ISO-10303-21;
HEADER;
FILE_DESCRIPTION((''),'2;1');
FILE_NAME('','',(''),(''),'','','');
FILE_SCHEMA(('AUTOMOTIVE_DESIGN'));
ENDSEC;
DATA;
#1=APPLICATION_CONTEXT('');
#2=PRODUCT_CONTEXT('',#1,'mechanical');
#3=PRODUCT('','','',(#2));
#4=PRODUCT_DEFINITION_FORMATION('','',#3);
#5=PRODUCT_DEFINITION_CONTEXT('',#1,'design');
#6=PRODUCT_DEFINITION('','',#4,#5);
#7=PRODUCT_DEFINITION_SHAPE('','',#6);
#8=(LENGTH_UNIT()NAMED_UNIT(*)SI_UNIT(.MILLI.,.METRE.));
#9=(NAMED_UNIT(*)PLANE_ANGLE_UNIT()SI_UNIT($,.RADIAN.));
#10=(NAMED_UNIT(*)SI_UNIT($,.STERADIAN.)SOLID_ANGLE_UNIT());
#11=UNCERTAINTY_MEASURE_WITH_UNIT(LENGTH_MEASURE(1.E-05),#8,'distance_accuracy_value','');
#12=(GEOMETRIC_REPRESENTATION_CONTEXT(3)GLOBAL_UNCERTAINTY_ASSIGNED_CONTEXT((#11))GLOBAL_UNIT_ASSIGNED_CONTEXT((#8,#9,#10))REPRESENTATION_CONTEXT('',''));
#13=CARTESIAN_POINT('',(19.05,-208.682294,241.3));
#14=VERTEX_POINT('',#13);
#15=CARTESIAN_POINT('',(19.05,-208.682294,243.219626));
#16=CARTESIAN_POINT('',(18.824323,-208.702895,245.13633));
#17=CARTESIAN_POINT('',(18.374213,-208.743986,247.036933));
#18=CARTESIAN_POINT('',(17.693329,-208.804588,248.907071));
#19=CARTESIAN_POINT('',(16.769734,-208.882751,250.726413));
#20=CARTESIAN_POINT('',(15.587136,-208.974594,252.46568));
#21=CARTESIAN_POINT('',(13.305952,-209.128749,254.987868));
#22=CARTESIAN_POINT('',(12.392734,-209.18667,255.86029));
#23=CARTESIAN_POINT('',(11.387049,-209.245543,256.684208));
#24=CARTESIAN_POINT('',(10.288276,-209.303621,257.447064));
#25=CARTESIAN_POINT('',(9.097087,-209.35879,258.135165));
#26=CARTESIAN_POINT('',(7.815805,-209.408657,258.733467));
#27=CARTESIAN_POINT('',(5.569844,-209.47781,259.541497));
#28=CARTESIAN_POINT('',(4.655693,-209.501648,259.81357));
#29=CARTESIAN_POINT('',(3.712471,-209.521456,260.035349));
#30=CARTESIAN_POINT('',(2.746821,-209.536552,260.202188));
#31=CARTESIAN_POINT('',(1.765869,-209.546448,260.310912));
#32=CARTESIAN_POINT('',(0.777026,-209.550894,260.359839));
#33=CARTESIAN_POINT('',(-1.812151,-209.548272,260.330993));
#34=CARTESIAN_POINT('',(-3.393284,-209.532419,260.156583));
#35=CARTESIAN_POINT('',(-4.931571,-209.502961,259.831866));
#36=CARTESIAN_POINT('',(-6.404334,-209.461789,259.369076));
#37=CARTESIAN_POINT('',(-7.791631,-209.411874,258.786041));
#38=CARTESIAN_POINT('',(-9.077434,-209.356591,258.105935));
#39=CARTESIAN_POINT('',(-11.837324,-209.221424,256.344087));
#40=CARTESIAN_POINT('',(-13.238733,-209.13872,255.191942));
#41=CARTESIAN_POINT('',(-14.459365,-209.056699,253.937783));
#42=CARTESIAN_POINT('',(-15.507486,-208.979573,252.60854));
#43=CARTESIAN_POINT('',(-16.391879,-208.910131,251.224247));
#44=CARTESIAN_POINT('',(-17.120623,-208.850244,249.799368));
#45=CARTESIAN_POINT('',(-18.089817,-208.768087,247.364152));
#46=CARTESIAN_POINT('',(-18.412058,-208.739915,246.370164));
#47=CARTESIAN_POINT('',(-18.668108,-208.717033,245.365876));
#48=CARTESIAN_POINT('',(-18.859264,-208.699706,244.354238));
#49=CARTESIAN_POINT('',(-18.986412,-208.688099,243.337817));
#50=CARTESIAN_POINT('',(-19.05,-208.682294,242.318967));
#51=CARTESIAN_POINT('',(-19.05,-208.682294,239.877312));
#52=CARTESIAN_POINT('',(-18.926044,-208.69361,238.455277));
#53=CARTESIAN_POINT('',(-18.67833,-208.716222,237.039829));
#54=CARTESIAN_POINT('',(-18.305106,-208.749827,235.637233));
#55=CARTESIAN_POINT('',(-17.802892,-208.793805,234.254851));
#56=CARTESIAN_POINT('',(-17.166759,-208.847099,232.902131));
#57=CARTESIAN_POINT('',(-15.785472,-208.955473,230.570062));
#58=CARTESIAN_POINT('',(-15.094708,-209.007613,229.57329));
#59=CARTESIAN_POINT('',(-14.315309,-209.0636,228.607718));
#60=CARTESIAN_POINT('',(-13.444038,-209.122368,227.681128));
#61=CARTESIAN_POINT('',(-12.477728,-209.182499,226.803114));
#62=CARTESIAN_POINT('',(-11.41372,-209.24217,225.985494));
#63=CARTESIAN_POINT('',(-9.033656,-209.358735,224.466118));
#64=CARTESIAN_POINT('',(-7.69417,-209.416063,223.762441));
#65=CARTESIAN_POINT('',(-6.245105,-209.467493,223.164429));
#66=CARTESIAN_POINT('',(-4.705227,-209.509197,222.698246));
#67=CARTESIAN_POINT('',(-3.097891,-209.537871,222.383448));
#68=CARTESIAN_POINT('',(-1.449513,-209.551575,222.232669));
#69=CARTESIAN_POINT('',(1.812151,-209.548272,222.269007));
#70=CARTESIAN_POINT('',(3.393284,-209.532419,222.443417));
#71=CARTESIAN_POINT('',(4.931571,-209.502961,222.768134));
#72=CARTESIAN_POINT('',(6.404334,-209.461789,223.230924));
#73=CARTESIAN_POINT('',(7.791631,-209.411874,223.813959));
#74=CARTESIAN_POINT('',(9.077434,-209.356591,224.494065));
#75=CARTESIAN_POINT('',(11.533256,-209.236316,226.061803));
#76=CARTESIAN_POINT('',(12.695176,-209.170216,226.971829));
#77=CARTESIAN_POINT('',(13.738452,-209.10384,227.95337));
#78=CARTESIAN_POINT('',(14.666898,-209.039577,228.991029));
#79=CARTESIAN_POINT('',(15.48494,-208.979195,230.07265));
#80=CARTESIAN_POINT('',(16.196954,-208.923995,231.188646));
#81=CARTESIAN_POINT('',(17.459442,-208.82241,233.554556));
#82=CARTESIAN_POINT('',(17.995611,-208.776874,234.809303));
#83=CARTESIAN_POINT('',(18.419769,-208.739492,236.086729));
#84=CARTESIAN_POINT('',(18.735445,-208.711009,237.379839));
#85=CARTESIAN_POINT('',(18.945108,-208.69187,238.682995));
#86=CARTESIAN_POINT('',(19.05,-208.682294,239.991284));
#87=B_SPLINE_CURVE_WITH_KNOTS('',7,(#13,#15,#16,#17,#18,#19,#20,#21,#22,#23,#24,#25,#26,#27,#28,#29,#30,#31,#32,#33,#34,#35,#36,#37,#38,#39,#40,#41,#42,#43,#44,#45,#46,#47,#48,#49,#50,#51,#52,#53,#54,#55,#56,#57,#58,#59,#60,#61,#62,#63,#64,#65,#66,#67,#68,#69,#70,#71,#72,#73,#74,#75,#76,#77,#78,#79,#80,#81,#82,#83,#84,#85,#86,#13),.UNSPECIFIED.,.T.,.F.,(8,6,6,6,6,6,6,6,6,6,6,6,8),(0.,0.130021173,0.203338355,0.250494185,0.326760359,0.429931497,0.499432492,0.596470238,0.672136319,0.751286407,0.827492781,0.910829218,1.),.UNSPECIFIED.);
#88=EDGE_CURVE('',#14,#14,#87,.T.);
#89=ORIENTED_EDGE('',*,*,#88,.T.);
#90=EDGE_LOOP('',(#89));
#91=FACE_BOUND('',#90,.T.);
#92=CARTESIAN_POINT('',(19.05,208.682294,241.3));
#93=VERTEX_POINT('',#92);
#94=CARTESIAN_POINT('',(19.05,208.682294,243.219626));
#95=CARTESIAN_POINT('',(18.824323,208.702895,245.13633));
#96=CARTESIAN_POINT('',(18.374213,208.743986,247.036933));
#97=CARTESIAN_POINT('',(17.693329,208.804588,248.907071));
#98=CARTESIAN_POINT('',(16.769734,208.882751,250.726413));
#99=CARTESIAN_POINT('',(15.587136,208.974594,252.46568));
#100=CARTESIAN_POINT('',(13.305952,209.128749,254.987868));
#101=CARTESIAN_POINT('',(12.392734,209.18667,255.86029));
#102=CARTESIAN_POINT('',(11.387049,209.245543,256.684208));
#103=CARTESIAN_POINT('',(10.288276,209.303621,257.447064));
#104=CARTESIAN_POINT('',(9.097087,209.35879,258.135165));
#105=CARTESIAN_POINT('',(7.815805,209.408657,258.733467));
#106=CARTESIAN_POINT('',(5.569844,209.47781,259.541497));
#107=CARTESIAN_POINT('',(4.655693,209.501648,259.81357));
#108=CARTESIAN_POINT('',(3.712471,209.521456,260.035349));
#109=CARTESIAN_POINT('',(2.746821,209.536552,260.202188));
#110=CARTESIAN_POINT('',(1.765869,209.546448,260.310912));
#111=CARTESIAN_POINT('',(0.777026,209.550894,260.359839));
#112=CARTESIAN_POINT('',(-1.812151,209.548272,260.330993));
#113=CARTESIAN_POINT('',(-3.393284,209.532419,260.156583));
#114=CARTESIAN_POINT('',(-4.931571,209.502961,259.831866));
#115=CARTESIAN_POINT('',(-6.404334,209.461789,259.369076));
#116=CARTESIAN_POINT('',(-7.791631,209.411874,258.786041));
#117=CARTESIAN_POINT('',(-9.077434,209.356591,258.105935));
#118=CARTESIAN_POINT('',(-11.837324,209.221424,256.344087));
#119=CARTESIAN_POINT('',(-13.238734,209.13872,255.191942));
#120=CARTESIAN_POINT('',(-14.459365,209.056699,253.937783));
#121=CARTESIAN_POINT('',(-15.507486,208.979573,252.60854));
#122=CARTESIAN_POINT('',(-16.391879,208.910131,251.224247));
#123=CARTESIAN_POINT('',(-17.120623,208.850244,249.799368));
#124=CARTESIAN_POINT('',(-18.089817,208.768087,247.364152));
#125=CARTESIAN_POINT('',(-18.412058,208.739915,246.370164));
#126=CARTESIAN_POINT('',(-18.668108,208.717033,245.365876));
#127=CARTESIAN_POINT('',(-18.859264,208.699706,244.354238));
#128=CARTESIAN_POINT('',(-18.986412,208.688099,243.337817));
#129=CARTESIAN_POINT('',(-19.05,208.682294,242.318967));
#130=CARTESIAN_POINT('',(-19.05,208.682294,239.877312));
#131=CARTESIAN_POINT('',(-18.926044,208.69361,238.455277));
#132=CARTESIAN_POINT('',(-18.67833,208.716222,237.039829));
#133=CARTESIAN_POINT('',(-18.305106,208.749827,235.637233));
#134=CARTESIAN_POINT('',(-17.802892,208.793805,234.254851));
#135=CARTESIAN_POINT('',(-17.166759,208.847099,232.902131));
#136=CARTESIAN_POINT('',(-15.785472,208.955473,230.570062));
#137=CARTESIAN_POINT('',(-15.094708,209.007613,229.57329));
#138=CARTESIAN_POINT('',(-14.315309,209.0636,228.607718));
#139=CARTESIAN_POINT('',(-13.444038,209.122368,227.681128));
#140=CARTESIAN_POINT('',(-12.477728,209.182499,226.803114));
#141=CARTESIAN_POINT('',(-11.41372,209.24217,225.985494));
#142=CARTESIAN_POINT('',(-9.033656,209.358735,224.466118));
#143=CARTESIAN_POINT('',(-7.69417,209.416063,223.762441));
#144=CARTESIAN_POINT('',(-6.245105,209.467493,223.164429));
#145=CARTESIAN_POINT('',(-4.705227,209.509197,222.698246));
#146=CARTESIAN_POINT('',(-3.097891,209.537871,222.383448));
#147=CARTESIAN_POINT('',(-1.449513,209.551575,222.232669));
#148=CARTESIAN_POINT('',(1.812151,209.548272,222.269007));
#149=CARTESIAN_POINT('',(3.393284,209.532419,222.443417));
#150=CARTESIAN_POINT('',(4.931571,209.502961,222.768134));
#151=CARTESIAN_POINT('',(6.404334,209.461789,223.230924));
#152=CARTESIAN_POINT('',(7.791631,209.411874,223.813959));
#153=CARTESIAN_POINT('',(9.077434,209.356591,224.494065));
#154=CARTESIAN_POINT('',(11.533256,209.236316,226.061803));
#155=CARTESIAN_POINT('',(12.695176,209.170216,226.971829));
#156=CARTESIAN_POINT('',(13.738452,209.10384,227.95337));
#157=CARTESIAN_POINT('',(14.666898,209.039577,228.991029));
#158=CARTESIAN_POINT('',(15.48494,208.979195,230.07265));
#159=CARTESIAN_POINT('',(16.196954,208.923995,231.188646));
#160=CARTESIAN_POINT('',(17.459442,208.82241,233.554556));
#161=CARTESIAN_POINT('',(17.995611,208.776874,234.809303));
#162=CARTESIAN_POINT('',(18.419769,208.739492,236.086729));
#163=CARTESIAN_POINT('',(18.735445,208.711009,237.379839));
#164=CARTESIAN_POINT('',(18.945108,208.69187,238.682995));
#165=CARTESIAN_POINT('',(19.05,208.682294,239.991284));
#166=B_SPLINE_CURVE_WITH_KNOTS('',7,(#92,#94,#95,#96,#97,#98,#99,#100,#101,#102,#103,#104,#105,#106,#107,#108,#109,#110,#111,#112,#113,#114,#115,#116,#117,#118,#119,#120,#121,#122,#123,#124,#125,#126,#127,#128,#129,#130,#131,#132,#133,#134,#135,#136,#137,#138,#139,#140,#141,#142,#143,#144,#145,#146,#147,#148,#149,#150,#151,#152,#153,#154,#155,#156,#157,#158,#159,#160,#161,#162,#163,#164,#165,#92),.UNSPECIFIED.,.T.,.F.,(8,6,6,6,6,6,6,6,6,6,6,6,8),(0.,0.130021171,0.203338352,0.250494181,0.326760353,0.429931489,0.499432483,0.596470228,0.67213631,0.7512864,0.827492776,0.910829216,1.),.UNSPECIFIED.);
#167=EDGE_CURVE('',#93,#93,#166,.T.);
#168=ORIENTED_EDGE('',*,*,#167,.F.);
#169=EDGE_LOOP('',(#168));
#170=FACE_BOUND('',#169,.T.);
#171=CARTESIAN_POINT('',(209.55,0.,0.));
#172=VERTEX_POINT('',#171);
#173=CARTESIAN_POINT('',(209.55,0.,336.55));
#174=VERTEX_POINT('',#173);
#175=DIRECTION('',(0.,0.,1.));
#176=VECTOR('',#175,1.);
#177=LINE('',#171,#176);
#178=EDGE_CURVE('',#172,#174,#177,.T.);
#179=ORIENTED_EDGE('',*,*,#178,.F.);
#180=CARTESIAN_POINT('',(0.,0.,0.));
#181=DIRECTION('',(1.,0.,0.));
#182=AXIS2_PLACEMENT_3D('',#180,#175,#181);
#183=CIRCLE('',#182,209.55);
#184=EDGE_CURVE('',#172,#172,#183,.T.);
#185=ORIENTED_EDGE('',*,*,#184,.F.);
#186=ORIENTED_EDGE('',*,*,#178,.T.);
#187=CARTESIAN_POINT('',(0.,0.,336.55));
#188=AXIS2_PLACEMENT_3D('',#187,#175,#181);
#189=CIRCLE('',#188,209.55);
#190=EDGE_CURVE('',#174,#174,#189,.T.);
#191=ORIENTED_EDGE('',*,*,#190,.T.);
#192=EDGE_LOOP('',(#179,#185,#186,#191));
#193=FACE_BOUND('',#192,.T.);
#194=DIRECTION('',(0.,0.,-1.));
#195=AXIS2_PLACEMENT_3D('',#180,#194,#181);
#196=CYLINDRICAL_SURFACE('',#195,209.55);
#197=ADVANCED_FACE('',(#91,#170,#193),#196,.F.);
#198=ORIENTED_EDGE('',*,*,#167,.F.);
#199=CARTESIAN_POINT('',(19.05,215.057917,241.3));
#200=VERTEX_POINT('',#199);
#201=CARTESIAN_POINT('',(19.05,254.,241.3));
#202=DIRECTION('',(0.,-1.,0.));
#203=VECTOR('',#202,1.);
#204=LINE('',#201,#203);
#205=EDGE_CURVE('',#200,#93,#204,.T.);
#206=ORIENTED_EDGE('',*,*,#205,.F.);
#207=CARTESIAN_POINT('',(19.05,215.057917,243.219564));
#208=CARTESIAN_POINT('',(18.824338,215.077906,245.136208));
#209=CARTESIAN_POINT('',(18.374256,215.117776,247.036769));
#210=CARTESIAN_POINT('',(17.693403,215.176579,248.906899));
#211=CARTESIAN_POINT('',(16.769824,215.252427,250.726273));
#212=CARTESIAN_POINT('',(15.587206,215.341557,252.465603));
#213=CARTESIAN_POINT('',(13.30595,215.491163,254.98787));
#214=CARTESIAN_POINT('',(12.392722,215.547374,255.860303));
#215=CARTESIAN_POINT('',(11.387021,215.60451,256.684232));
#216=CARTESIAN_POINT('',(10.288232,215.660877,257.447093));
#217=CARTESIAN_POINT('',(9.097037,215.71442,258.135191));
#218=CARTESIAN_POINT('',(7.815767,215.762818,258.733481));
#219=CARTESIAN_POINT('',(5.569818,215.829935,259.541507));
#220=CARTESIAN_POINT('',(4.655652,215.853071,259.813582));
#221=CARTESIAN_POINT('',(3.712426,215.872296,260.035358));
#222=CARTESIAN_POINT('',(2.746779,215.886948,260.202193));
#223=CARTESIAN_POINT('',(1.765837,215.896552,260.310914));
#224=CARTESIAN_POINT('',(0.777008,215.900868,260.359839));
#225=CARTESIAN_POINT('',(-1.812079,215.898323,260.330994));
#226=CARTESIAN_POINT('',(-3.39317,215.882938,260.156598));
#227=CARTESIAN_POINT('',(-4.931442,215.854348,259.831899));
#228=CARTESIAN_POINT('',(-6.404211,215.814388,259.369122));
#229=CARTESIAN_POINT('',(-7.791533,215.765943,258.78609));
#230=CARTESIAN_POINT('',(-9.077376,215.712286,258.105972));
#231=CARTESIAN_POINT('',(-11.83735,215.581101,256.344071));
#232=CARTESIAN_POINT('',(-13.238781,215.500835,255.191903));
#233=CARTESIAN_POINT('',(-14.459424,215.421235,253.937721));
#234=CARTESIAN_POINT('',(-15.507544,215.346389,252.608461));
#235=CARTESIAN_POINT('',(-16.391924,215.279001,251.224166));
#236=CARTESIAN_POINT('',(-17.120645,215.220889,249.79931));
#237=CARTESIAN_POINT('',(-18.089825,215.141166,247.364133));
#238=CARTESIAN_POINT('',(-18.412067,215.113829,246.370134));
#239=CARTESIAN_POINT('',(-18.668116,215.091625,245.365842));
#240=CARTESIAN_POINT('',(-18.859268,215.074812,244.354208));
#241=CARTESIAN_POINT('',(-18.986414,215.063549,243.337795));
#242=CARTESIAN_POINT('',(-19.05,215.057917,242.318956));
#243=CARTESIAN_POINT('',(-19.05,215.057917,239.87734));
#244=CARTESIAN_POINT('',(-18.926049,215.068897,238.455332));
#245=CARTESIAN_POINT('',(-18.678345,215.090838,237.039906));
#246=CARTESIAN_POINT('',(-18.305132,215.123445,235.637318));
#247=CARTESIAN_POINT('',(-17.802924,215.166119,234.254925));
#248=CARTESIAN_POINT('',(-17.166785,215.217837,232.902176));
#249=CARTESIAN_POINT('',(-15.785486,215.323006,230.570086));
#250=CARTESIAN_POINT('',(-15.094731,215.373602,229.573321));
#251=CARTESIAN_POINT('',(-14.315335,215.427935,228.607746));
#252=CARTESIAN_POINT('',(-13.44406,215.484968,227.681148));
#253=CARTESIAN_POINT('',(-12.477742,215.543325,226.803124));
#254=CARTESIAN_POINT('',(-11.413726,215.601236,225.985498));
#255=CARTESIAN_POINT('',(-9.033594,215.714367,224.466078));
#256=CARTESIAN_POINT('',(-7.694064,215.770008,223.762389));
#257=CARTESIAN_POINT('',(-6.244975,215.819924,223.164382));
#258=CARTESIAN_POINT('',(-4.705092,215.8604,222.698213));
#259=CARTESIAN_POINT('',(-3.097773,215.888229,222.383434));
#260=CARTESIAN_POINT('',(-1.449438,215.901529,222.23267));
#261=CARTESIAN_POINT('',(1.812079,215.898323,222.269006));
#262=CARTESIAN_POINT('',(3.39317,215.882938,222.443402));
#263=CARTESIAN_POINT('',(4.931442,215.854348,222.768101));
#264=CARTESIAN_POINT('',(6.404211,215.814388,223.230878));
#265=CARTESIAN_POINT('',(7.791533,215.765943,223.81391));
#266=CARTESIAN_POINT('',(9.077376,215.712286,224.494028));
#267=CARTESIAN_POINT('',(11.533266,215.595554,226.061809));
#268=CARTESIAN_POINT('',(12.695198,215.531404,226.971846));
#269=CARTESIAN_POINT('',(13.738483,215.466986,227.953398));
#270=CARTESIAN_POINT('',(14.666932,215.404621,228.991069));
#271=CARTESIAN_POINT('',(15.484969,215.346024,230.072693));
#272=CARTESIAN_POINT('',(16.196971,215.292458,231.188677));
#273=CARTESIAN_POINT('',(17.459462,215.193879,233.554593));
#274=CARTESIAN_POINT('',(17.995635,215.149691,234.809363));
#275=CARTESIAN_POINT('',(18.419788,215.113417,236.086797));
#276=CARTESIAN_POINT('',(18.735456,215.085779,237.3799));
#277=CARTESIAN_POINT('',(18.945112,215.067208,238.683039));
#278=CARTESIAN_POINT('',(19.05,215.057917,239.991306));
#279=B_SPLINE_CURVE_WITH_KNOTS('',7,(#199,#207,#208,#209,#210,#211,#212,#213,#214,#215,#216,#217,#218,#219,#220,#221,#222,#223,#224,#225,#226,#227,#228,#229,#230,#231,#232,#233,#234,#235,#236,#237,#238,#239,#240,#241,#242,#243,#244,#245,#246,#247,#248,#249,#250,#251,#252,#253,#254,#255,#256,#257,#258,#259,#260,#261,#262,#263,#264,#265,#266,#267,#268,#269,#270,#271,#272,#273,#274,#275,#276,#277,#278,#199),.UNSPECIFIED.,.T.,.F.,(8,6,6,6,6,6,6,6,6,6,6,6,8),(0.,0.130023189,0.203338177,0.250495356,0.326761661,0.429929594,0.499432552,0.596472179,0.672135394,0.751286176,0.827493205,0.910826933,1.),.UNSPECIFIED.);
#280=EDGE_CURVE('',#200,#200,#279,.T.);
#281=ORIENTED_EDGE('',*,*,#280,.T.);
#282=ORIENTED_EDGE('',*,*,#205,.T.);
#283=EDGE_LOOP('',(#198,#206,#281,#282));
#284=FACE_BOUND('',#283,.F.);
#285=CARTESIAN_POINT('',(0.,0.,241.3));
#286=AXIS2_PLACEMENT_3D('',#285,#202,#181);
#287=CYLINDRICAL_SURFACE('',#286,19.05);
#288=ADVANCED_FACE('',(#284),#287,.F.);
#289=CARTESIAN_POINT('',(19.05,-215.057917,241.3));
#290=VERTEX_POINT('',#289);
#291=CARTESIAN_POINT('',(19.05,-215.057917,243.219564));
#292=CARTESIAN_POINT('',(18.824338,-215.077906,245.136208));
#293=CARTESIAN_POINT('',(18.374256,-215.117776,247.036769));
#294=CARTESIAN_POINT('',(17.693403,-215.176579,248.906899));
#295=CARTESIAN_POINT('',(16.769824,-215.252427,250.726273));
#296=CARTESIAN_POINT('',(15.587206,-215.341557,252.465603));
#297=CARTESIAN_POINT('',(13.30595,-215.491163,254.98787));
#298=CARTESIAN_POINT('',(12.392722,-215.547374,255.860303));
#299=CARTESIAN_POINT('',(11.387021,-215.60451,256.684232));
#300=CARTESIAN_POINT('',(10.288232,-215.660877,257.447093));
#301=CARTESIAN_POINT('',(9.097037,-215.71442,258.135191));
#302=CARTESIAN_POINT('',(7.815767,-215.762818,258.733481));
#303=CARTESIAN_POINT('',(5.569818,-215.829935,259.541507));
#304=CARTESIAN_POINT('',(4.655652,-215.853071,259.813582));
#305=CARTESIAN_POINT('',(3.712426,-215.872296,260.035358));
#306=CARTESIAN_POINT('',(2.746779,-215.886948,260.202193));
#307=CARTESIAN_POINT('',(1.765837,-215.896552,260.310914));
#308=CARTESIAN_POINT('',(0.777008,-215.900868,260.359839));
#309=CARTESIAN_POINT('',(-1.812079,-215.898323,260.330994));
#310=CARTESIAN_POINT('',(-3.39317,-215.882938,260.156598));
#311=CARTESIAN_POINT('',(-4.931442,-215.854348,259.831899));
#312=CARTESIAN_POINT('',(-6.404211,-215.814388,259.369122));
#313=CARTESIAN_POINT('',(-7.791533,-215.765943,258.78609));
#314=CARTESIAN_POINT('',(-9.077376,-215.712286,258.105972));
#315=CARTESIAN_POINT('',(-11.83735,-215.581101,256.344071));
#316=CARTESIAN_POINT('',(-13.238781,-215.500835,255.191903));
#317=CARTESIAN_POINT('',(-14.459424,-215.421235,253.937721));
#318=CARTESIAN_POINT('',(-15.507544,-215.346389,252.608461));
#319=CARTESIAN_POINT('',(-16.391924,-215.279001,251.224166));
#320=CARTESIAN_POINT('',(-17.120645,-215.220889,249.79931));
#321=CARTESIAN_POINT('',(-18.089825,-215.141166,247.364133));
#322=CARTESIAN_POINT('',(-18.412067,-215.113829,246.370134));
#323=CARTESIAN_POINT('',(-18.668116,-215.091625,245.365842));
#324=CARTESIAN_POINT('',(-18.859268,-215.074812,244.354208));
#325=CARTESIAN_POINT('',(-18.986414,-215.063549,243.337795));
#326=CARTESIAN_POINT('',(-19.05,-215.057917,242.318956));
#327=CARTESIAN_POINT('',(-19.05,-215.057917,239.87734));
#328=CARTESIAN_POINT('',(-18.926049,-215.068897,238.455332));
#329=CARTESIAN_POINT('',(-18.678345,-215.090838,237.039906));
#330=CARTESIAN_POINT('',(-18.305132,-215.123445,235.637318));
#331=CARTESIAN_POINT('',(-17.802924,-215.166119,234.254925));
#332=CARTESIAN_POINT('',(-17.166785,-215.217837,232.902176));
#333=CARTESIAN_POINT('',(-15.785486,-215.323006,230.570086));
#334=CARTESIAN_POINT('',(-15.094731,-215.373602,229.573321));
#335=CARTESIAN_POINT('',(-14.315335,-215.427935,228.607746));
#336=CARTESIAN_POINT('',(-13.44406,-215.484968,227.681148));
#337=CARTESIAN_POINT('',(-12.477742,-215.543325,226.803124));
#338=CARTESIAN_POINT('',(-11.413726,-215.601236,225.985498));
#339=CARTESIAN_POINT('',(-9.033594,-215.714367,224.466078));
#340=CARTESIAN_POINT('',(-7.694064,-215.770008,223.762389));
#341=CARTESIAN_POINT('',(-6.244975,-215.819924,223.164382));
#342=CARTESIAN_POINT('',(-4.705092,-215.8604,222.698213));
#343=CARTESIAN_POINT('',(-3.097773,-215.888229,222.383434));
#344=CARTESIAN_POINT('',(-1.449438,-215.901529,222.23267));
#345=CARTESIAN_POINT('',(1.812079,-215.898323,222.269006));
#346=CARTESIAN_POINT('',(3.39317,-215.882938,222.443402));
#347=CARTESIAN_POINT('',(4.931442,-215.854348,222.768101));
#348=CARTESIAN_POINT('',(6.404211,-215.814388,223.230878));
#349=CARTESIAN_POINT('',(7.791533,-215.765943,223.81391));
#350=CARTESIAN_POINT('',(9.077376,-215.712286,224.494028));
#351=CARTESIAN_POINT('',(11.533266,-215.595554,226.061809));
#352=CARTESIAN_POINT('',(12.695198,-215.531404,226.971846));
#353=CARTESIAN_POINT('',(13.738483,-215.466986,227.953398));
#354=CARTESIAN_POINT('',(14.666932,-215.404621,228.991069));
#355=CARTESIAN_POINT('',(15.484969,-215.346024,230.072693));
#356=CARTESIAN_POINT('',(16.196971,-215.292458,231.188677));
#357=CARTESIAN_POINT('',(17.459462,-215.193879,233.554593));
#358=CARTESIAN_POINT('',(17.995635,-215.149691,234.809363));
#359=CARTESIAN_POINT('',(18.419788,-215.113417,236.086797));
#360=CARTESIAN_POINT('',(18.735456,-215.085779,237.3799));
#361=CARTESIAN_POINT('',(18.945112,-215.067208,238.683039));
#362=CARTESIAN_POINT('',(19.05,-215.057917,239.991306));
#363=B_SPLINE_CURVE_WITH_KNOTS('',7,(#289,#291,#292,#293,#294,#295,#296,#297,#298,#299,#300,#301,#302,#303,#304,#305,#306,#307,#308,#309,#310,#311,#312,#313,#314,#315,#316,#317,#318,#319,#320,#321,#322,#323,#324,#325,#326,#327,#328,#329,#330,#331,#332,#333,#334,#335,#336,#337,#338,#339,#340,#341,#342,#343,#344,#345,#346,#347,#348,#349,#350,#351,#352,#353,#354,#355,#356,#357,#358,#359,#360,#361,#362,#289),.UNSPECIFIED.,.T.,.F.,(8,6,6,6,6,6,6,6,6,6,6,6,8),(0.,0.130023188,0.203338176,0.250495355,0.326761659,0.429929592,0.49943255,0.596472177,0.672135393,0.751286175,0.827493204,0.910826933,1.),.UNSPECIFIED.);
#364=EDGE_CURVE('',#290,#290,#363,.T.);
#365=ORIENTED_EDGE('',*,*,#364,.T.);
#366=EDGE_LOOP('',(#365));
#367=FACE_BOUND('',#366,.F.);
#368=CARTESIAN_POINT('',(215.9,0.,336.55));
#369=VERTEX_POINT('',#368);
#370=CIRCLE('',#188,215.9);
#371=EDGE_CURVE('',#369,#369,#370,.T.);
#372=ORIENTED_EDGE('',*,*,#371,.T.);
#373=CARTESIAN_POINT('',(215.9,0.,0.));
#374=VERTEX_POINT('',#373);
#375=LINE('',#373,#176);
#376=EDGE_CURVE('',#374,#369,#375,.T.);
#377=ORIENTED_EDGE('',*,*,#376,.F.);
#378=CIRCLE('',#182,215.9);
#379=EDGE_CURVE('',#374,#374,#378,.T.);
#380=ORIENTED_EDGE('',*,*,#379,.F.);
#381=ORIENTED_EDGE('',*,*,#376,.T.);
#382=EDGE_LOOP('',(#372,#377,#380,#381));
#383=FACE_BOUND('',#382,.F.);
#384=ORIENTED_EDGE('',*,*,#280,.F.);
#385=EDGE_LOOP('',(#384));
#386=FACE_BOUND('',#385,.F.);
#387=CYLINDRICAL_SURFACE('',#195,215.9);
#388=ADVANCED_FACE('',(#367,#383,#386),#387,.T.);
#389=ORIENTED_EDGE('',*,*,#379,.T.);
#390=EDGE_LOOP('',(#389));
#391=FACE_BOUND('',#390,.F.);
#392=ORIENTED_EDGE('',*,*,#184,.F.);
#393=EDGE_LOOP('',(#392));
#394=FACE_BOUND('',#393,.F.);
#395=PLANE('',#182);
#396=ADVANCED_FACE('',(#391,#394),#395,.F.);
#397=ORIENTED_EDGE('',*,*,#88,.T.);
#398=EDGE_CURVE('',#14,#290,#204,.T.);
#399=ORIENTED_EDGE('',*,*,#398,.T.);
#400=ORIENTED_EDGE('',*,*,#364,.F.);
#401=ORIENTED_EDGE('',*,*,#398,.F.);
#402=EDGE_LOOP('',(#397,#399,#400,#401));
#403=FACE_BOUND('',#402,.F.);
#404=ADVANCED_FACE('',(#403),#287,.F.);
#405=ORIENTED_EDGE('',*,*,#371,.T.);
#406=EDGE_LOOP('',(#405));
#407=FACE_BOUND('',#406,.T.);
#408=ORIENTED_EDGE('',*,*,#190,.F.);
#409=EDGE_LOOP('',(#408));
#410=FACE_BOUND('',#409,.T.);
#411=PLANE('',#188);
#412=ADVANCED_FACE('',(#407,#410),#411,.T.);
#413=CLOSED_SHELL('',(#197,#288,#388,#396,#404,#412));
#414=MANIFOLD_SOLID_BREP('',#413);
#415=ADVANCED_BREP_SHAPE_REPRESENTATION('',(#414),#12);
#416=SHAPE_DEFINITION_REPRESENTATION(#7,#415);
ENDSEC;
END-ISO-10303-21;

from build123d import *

# Parameters (mm, degrees)
F0_R     = 215.9
F1_DEPTH = 336.55
F2_T     = -6.35
F3_R     = 19.05
F4_DEPTH = 254


with BuildPart() as f1:
    # F0 (on Top) → F1 (new body)
    with BuildSketch(Plane.XY):
        Circle(F0_R)
    extrude(amount=F1_DEPTH)

    # F2
    f2_openings = [f1.faces().sort_by_distance(p)[0] for p in [
        (0, 0, 336.55),
        (0, 0, 0),
    ]]
    offset(amount=F2_T, openings=f2_openings)

    # F3 (on Front) → F4 (cut, symmetric)
    with BuildSketch(Plane.XZ):
        with Locations((0, 241.3)):
            Circle(F3_R)
    extrude(amount=F4_DEPTH, both=True, mode=Mode.SUBTRACT)


solid = f1.part
